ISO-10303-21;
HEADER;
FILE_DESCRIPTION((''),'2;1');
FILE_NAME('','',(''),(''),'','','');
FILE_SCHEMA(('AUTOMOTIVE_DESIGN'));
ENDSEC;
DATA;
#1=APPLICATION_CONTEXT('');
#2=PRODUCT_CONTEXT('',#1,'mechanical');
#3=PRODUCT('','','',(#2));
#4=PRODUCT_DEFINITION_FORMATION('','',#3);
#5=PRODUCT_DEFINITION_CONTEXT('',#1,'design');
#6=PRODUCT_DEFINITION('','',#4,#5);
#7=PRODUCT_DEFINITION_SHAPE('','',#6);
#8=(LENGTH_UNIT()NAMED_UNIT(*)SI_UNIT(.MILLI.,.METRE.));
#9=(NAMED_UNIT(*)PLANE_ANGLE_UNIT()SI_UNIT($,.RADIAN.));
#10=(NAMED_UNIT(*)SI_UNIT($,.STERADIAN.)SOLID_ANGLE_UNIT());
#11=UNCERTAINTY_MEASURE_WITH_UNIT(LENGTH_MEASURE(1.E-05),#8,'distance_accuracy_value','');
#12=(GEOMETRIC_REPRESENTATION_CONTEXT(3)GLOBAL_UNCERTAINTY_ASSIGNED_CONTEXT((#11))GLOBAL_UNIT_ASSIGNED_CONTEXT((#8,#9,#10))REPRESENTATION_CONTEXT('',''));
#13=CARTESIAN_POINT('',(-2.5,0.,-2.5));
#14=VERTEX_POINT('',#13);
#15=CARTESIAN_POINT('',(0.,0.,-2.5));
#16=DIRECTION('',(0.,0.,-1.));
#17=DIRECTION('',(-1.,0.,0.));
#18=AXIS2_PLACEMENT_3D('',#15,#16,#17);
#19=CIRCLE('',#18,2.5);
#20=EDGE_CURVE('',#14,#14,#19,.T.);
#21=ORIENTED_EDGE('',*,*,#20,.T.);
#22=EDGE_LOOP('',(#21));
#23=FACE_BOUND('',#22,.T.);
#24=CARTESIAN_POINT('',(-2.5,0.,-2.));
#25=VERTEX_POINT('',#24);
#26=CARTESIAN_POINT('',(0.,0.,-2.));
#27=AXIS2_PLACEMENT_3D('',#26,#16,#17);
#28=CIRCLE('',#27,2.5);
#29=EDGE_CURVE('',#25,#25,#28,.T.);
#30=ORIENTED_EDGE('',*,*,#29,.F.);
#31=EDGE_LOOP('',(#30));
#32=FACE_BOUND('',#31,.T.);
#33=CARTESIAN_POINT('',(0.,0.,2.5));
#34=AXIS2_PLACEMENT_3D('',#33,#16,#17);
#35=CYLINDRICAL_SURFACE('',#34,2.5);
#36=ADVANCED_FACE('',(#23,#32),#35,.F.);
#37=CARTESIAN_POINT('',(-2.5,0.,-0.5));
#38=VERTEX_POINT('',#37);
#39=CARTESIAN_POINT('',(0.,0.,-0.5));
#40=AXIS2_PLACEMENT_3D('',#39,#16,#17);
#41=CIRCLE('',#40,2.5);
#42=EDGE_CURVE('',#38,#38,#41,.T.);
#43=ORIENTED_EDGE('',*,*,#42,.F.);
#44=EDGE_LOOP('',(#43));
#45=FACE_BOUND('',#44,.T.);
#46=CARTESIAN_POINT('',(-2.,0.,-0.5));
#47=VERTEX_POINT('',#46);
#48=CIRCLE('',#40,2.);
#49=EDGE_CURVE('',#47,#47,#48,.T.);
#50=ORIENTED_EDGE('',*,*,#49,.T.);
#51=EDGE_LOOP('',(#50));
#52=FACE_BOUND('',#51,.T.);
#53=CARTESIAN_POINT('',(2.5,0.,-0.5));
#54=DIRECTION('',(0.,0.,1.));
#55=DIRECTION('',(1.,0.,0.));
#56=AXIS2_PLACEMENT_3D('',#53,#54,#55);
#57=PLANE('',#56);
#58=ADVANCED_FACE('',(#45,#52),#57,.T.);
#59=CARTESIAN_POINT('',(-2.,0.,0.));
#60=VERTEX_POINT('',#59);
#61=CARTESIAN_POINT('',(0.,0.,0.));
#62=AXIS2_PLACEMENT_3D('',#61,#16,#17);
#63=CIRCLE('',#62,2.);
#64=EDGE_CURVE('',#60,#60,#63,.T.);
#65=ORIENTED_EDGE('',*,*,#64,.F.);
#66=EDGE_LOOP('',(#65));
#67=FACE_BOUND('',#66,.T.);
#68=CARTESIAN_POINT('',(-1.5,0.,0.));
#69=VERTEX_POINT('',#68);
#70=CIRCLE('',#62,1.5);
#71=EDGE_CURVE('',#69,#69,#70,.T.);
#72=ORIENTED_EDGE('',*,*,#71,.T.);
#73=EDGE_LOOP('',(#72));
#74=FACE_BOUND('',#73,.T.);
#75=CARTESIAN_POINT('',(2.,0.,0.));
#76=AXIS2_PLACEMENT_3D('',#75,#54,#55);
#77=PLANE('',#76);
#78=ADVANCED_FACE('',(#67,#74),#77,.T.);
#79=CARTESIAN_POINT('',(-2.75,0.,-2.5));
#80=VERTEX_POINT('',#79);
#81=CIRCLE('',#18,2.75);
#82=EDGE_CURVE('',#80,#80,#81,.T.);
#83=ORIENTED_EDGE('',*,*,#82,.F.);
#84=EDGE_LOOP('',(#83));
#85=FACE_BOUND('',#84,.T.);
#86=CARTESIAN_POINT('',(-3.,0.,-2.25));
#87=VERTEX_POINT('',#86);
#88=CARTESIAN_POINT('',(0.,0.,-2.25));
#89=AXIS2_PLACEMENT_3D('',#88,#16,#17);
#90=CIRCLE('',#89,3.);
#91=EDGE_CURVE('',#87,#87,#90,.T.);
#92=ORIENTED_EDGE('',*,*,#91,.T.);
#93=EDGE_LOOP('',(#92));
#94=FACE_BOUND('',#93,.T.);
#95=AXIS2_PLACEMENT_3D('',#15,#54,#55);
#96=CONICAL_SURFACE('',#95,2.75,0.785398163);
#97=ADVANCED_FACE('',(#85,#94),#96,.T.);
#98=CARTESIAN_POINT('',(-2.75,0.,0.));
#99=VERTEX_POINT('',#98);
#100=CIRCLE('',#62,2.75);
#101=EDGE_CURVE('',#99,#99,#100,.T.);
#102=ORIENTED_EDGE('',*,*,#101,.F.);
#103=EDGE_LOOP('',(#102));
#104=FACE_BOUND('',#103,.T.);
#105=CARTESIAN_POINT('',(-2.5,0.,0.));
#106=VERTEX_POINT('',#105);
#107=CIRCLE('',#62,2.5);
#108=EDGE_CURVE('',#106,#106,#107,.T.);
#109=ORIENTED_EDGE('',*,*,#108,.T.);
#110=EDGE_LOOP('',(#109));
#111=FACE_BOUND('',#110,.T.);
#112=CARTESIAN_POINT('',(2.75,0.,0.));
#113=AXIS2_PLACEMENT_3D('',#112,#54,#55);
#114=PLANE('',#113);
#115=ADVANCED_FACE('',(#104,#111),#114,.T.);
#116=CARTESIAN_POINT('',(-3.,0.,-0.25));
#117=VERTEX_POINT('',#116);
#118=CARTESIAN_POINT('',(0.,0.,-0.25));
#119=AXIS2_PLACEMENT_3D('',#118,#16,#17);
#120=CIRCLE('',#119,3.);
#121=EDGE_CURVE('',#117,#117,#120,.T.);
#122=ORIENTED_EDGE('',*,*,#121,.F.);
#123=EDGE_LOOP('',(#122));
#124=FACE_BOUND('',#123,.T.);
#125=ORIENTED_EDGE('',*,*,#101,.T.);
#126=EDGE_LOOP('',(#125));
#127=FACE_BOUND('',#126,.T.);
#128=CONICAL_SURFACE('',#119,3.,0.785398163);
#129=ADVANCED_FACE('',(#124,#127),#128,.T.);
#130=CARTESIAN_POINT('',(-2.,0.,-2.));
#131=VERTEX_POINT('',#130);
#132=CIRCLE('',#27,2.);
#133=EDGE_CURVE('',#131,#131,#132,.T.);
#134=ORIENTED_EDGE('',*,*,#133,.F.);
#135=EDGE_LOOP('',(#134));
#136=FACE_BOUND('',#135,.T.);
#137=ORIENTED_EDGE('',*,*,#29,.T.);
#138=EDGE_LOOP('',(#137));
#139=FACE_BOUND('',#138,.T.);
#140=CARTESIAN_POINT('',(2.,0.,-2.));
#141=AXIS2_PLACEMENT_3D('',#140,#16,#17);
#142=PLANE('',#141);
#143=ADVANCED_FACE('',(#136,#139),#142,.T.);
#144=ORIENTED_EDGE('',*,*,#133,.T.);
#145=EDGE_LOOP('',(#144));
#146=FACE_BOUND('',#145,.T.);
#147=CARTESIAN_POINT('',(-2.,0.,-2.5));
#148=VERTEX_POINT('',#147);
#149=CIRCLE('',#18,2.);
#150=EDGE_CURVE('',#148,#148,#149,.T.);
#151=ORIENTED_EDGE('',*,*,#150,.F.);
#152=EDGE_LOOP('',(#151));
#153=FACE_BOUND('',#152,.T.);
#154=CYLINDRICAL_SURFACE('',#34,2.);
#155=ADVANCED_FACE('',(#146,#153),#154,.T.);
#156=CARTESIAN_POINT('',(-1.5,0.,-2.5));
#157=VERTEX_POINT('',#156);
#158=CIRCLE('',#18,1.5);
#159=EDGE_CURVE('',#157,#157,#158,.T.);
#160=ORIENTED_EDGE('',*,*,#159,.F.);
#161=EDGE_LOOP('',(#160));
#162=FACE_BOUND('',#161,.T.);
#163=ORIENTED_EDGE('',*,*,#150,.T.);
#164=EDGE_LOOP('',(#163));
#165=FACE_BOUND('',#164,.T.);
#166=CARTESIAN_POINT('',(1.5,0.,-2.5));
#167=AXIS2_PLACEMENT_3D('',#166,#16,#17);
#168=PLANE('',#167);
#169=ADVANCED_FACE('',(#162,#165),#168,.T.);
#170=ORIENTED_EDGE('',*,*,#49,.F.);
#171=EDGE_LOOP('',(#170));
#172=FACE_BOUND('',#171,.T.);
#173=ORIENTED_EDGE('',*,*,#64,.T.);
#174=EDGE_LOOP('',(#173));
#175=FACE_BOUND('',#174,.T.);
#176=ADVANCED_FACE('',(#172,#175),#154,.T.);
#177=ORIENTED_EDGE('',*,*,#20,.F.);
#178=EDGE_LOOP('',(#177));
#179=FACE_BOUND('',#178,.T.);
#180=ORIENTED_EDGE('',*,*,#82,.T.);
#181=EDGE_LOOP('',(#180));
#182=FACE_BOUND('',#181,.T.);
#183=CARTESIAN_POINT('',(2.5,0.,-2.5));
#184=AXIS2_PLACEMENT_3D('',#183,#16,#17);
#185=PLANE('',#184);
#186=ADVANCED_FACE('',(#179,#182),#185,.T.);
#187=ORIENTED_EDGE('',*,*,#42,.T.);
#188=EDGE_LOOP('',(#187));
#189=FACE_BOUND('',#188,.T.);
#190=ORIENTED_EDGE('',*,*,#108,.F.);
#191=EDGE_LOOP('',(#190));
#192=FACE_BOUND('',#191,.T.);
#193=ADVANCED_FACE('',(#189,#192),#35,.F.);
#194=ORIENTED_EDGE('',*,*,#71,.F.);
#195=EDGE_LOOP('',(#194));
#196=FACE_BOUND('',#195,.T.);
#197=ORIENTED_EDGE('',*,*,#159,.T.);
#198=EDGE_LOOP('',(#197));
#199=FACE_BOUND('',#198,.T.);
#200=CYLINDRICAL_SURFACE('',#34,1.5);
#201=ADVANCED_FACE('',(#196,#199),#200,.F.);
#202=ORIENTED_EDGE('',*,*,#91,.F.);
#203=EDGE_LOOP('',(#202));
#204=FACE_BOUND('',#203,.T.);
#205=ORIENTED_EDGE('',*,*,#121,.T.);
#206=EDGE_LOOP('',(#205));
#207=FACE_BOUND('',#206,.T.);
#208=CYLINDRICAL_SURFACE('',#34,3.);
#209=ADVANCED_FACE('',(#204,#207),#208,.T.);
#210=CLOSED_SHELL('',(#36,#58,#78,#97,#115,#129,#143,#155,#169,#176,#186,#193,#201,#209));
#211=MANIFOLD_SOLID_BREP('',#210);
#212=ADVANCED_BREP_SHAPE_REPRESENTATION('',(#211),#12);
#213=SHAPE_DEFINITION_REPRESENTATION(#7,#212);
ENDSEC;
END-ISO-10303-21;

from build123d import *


with BuildPart() as part:
    # Sketch1 → Revolve1 (revolve)
    with BuildSketch(Plane.XZ):
        Polygon((3, -0.25), (2.75, 0), (2.5, 0), (2.5, -0.5), (2, -0.5), (2, 0), (1.5, 0), (1.5, -2.5), (2, -2.5), (2, -2), (2.5, -2), (2.5, -2.5), (2.75, -2.5), (3, -2.25), align=None)
    revolve(axis=Axis((0, 0, 2.5), (0, 0, -1)))


solid = part.part
